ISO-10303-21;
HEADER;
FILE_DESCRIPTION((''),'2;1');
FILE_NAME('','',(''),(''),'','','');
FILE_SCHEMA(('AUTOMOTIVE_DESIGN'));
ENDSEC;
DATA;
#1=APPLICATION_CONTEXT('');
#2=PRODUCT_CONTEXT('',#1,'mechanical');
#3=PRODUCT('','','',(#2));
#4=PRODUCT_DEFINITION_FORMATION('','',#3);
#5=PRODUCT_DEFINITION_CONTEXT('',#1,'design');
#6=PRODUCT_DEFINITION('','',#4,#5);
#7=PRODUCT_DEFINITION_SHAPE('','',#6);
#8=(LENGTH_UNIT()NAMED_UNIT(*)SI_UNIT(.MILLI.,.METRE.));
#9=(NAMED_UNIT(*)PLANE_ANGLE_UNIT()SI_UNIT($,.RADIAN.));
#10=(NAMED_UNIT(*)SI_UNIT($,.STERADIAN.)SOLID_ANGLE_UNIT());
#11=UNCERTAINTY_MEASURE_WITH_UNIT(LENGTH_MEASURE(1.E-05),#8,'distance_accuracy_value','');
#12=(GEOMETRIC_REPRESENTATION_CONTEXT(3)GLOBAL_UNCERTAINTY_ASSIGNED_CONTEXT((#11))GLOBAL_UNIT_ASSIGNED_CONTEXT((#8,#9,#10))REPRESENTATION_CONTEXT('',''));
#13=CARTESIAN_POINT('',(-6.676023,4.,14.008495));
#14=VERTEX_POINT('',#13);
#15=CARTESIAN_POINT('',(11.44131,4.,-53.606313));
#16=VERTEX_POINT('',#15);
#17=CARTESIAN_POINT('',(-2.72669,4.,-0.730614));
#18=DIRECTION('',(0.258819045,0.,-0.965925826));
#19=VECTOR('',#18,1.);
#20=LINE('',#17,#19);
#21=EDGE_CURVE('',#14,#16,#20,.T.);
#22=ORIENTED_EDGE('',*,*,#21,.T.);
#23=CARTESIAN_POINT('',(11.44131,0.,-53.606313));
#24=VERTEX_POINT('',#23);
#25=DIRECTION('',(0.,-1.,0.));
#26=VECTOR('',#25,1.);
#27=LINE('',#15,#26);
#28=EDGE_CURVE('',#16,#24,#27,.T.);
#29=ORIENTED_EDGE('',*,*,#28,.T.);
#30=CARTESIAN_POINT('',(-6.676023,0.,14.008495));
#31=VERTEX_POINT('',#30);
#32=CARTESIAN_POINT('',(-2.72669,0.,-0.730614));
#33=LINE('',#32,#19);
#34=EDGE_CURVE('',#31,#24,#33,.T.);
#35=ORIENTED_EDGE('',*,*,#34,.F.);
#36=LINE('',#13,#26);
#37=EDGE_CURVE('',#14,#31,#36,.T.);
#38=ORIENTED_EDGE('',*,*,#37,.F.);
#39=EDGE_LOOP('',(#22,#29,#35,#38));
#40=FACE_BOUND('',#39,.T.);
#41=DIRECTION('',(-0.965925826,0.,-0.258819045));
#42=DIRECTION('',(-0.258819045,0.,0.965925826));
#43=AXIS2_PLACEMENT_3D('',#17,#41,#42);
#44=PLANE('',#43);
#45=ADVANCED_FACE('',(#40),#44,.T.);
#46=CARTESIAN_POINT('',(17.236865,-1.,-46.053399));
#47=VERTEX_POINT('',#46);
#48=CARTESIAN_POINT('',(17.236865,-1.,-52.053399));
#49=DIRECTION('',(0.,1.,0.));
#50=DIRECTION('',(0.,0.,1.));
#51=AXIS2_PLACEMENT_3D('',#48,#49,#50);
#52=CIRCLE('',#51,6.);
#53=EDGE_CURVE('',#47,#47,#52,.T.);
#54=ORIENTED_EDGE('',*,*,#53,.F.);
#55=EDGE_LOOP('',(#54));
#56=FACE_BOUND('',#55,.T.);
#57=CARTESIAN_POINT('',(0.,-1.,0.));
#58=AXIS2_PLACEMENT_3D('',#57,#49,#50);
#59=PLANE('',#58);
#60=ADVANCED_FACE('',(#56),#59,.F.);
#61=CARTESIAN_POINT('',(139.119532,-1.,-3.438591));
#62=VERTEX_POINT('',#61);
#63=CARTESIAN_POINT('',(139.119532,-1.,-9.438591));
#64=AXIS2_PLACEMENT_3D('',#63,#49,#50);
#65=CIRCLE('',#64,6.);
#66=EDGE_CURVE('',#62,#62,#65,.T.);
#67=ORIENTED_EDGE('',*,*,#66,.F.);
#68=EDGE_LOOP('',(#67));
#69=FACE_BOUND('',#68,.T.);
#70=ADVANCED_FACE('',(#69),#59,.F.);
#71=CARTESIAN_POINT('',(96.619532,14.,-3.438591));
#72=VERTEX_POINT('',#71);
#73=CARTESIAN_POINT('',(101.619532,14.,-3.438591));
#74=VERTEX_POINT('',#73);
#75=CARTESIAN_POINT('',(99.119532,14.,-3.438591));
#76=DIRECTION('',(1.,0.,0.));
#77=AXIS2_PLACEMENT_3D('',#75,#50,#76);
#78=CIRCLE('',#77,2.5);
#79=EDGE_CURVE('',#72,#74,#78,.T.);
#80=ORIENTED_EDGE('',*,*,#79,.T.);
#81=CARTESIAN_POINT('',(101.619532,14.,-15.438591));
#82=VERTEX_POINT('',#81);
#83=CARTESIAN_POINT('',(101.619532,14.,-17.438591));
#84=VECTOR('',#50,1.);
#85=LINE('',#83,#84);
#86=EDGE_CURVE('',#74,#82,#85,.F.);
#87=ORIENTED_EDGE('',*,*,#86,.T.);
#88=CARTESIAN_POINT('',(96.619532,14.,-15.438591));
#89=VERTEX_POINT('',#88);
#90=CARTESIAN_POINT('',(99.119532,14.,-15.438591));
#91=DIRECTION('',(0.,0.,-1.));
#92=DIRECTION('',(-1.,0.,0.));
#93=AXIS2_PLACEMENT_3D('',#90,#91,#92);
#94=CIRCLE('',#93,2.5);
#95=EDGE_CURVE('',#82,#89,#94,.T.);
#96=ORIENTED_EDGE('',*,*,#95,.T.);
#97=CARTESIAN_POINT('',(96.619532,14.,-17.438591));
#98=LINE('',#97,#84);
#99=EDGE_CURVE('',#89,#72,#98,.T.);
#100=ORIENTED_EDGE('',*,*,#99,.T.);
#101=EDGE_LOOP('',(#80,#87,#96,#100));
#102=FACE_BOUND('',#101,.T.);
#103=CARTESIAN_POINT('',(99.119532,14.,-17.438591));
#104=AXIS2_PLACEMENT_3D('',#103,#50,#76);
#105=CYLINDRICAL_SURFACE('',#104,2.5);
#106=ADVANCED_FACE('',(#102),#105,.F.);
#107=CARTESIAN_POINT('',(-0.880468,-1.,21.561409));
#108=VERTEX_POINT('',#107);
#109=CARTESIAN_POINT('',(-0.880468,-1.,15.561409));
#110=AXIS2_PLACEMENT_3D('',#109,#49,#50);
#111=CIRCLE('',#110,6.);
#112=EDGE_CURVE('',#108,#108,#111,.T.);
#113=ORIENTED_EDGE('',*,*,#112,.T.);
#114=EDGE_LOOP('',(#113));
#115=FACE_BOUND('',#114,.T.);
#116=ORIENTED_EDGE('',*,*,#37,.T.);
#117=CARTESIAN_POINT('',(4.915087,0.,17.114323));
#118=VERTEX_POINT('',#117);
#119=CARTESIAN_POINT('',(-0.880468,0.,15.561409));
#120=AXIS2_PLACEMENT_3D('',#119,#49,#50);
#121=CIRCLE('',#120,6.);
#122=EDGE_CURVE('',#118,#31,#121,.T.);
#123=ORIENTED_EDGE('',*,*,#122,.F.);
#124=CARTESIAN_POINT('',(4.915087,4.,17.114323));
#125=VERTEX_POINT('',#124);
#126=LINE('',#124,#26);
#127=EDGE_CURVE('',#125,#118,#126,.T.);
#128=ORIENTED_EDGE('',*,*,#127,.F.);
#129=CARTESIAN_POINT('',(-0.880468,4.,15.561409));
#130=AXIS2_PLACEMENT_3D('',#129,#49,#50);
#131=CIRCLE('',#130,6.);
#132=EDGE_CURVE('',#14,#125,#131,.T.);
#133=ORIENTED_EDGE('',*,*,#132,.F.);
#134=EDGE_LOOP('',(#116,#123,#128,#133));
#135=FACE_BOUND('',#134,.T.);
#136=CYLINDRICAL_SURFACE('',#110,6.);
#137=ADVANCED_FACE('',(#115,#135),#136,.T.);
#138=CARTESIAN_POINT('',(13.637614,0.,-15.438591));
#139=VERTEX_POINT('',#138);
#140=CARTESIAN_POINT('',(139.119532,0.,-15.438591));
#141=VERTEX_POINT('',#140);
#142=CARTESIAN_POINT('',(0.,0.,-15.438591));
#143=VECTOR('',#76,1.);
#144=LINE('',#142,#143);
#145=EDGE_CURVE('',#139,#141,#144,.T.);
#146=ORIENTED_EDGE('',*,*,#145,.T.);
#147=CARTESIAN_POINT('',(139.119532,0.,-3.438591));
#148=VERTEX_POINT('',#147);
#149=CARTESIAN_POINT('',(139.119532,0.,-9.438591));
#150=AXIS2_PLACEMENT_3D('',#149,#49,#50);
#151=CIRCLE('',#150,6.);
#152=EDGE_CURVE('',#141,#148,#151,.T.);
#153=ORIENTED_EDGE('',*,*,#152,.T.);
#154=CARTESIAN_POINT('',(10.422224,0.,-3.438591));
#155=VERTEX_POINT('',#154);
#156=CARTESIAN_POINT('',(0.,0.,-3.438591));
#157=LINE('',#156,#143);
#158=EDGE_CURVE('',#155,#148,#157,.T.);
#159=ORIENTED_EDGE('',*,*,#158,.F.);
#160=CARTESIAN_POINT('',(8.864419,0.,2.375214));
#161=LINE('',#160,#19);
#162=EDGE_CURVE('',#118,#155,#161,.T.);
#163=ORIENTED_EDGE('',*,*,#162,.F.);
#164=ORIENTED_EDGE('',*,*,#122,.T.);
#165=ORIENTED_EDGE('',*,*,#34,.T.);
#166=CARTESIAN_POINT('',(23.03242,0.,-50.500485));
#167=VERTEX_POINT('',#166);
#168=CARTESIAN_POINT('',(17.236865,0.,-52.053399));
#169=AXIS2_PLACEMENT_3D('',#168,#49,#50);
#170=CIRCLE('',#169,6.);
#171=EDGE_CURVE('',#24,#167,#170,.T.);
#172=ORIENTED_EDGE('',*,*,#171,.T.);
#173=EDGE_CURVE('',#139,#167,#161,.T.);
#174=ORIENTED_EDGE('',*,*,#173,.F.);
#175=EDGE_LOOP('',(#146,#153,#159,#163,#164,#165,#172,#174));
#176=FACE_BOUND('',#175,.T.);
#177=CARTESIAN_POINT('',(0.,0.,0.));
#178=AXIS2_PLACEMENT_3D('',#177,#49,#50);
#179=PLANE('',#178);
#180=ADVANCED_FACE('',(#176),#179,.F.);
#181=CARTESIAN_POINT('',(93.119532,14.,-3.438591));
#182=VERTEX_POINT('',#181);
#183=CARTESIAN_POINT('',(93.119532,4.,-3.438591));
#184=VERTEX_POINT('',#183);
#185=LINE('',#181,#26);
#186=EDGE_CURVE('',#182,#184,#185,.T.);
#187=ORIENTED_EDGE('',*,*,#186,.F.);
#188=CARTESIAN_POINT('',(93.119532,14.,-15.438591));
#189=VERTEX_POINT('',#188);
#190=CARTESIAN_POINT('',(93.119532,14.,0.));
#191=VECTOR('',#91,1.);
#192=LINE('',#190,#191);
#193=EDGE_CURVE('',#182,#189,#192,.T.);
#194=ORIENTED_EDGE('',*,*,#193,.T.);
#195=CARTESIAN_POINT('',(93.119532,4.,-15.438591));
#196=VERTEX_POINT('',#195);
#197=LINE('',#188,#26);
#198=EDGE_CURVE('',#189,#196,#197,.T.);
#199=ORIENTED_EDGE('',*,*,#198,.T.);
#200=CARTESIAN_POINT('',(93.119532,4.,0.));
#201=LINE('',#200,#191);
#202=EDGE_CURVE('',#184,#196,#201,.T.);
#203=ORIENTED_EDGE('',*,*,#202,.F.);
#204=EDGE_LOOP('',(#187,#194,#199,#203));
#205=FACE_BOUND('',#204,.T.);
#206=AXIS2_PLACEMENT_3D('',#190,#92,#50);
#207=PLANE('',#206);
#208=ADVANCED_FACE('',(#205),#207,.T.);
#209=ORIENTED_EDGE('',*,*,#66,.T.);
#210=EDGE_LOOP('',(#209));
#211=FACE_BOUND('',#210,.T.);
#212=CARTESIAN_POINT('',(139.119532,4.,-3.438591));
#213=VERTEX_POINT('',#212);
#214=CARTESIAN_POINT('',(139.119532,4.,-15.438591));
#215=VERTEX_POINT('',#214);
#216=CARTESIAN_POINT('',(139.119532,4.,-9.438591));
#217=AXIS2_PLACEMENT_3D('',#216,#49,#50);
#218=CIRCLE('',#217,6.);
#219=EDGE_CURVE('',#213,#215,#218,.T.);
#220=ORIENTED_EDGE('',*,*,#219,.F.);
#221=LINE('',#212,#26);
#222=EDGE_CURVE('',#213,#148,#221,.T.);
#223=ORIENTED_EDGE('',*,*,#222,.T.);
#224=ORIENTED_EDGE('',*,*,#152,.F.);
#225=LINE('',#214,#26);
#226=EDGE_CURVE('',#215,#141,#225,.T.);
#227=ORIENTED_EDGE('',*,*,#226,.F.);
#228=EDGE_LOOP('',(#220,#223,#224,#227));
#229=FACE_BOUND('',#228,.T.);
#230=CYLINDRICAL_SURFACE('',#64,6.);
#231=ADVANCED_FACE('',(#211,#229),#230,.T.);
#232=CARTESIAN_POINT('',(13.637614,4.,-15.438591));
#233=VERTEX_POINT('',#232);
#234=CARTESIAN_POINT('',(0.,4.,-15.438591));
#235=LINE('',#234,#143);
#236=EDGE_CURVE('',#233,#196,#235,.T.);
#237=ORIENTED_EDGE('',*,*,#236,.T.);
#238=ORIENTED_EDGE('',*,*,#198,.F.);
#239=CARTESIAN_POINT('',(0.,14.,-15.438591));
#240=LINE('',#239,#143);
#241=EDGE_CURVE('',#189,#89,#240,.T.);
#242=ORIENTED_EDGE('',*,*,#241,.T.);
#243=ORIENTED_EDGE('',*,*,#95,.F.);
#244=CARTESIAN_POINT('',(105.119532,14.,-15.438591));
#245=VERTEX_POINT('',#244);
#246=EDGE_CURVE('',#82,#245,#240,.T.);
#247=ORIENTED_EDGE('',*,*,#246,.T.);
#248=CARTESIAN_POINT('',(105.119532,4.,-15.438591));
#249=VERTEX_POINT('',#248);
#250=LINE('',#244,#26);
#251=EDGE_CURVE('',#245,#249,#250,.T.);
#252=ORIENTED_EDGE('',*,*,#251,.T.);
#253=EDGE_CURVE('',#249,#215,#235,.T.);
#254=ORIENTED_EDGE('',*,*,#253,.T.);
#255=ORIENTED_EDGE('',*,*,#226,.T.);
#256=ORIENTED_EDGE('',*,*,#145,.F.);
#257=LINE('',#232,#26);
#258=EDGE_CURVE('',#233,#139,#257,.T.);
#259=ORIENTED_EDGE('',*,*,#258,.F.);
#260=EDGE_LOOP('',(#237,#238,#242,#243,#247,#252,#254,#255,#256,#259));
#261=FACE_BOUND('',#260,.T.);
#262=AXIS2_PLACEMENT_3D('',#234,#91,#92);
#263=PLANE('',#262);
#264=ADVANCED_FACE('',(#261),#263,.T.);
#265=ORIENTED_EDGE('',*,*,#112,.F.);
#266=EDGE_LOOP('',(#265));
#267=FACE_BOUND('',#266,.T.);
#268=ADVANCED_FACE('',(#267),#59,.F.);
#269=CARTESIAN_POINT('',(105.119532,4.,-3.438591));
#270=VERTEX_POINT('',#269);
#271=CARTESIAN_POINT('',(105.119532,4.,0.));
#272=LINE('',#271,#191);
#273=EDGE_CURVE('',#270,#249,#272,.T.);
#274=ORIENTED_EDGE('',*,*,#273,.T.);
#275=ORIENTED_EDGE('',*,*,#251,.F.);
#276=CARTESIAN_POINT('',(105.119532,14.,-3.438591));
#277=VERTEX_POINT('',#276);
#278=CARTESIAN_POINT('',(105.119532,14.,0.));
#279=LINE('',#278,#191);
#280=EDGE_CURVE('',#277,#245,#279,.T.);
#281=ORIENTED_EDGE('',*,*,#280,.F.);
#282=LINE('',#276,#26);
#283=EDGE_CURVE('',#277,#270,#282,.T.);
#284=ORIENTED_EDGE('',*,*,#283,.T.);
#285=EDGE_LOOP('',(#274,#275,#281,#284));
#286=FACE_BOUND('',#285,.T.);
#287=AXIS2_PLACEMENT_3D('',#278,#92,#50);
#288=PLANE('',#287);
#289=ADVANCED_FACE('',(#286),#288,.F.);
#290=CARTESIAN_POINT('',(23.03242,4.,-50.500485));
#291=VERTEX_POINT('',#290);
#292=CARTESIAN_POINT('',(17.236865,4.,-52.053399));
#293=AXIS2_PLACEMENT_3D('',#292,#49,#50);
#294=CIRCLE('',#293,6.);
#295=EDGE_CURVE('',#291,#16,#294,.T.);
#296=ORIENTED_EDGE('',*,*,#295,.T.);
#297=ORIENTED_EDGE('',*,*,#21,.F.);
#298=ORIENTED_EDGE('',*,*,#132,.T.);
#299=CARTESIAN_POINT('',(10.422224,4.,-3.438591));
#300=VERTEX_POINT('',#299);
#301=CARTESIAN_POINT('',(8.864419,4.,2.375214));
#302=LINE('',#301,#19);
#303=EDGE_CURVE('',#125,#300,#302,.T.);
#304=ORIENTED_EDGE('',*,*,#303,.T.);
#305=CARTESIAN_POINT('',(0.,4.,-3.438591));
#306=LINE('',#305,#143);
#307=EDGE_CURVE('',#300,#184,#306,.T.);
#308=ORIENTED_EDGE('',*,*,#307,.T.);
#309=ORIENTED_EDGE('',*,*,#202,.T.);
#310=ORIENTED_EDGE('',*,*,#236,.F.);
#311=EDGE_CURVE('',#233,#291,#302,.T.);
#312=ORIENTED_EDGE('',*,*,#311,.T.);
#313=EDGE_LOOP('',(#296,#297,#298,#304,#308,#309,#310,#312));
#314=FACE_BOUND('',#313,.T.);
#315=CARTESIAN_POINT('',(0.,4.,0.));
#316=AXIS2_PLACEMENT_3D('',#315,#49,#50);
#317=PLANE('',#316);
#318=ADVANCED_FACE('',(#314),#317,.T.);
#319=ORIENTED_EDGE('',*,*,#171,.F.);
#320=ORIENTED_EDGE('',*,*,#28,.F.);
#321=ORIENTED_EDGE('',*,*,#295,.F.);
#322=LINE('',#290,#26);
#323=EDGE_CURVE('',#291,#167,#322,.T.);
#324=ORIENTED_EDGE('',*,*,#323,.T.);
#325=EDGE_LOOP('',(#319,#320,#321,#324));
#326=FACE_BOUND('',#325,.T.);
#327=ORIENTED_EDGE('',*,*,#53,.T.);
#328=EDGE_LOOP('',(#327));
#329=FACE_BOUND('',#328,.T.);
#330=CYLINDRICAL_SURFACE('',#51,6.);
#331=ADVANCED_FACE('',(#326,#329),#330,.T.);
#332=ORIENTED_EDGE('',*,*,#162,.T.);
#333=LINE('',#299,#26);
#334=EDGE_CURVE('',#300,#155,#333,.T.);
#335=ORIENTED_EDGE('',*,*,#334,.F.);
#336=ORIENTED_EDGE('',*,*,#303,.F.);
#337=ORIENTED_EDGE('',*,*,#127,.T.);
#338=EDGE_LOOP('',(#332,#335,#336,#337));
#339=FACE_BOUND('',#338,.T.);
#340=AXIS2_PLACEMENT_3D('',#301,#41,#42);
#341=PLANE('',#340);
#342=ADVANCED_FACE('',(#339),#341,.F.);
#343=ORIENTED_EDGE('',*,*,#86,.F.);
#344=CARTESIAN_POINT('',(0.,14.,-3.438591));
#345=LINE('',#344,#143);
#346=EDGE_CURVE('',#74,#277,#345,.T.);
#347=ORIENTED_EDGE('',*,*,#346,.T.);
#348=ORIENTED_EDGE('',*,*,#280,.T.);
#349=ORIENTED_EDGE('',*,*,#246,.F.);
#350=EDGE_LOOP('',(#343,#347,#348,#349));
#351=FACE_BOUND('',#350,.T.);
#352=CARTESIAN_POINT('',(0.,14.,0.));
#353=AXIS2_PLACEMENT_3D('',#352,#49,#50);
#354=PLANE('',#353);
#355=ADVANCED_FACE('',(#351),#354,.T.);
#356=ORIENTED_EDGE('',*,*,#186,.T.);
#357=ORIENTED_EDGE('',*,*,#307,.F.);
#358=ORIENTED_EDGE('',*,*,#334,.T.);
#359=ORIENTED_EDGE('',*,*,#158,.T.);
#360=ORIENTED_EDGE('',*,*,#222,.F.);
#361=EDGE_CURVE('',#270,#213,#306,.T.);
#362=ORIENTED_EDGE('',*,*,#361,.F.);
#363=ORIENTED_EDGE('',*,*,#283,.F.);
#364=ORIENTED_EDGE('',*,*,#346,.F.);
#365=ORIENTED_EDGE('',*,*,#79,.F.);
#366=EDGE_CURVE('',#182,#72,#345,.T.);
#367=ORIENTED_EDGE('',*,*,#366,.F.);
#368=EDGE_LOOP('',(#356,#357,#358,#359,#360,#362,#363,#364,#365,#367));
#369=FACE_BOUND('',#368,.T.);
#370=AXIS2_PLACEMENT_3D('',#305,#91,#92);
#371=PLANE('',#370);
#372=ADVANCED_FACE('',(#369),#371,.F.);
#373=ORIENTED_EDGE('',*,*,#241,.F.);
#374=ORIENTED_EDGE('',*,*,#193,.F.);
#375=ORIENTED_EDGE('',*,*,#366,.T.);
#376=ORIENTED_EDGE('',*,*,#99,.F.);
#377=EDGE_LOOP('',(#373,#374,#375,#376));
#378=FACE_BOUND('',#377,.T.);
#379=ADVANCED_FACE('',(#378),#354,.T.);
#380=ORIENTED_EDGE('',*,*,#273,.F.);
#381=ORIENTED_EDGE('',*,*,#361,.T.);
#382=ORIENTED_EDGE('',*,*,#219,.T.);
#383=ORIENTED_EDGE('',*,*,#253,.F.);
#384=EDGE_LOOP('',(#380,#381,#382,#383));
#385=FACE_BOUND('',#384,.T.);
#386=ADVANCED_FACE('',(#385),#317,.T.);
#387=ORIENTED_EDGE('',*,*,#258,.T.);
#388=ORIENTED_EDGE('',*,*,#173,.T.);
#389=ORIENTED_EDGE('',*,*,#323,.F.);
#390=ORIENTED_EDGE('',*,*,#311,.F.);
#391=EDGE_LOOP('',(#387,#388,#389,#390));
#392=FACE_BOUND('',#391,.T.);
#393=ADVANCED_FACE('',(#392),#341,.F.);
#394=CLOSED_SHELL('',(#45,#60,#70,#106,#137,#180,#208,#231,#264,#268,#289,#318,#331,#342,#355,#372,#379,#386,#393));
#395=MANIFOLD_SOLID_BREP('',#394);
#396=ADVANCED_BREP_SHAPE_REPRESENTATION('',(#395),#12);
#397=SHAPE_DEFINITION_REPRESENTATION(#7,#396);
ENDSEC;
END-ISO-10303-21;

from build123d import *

# Parameters (mm, degrees)
BOSS_EXTRUDE3_DEPTH      = 4
BOSS_EXTRUDE3_2_DEPTH    = 4
BOSS_EXTRUDE4_DEPTH      = 4
BOSS_EXTRUDE4_DEPTH_BACK = 1
SKETCH2_5_R              = 6
SKETCH2_6_W              = 12
SKETCH2_6_H              = 12
BOSS_EXTRUDE5_DEPTH      = 14
SKETCH3_R                = 2.5
CUT_EXTRUDE1_DEPTH       = 14


with BuildPart() as part:
    # Sketch2 → Boss-Extrude3 (new body)
    with BuildSketch(Plane(origin=(0, 0, 0), x_dir=(1, 0, 0), z_dir=(0, 1, 0))):
        with BuildLine():
            ThreePointArc((-6.676022794, -14.008494556), (0.672446434, -9.765853869), (4.915087121, -17.114323097))
            Line((4.915087121, -17.114323097), (10.422223902, 3.438591174))
            Line((10.422223902, 3.438591174), (93.119532163, 3.438591174))
            Line((93.119532163, 3.438591174), (93.119532163, 15.438591174))
            Line((93.119532163, 15.438591174), (13.637614211, 15.438591174))
            Line((13.637614211, 15.438591174), (23.032420278, 50.500484743))
            ThreePointArc((23.032420278, 50.500484743), (15.68395105, 46.257844056), (11.441310363, 53.606313284))
            Line((11.441310363, 53.606313284), (-6.676022794, -14.008494556))
        make_face()
    extrude(amount=BOSS_EXTRUDE3_DEPTH)



with BuildPart() as body_2:
    # Sketch2 → Boss-Extrude3 2 (new body)
    with BuildSketch(Plane(origin=(0, 0, 0), x_dir=(1, 0, 0), z_dir=(0, 1, 0))):
        with BuildLine():
            Line((105.119532163, 15.438591174), (105.119532163, 3.438591174))
            Line((105.119532163, 3.438591174), (139.119532163, 3.438591174))
            ThreePointArc((139.119532163, 3.438591174), (133.119532163, 9.438591174), (139.119532163, 15.438591174))
            Line((139.119532163, 15.438591174), (105.119532163, 15.438591174))
        make_face()
    extrude(amount=BOSS_EXTRUDE3_2_DEPTH)


with BuildPart() as part_1:
    add(part.part)

    add(body_2.part)  # Boss-Extrude4 merges body 2
    # Sketch2<5> → Boss-Extrude4 (add, two sides: drawn at the far end of the back side and taken through both)
    with BuildSketch(Plane(origin=(0, 0, 0), x_dir=(1, 0, 0), z_dir=(0, 1, 0)).offset(-BOSS_EXTRUDE4_DEPTH_BACK)):
        with Locations((-0.880467837, -15.561408826)):
            Circle(SKETCH2_5_R)
        with Locations((17.236865321, 52.053399014)):
            Circle(SKETCH2_5_R)
        with Locations((139.119532163, 9.438591174)):
            Circle(SKETCH2_5_R)
    extrude(amount=BOSS_EXTRUDE4_DEPTH + BOSS_EXTRUDE4_DEPTH_BACK)

    # Sketch2<6> → Boss-Extrude5 (add)
    with BuildSketch(Plane(origin=(0, 0, 0), x_dir=(1, 0, 0), z_dir=(0, 1, 0))):
        with Locations((99.119532163, 9.438591174)):
            Rectangle(SKETCH2_6_W, SKETCH2_6_H)
    extrude(amount=BOSS_EXTRUDE5_DEPTH)

    # Sketch3 → Cut-Extrude1 (cut)
    with BuildSketch(Plane.XY.offset(-3.438591174)):
        with Locations((99.119532163, 14)):
            Circle(SKETCH3_R)
    extrude(amount=-CUT_EXTRUDE1_DEPTH, mode=Mode.SUBTRACT)


solid = part_1.part
